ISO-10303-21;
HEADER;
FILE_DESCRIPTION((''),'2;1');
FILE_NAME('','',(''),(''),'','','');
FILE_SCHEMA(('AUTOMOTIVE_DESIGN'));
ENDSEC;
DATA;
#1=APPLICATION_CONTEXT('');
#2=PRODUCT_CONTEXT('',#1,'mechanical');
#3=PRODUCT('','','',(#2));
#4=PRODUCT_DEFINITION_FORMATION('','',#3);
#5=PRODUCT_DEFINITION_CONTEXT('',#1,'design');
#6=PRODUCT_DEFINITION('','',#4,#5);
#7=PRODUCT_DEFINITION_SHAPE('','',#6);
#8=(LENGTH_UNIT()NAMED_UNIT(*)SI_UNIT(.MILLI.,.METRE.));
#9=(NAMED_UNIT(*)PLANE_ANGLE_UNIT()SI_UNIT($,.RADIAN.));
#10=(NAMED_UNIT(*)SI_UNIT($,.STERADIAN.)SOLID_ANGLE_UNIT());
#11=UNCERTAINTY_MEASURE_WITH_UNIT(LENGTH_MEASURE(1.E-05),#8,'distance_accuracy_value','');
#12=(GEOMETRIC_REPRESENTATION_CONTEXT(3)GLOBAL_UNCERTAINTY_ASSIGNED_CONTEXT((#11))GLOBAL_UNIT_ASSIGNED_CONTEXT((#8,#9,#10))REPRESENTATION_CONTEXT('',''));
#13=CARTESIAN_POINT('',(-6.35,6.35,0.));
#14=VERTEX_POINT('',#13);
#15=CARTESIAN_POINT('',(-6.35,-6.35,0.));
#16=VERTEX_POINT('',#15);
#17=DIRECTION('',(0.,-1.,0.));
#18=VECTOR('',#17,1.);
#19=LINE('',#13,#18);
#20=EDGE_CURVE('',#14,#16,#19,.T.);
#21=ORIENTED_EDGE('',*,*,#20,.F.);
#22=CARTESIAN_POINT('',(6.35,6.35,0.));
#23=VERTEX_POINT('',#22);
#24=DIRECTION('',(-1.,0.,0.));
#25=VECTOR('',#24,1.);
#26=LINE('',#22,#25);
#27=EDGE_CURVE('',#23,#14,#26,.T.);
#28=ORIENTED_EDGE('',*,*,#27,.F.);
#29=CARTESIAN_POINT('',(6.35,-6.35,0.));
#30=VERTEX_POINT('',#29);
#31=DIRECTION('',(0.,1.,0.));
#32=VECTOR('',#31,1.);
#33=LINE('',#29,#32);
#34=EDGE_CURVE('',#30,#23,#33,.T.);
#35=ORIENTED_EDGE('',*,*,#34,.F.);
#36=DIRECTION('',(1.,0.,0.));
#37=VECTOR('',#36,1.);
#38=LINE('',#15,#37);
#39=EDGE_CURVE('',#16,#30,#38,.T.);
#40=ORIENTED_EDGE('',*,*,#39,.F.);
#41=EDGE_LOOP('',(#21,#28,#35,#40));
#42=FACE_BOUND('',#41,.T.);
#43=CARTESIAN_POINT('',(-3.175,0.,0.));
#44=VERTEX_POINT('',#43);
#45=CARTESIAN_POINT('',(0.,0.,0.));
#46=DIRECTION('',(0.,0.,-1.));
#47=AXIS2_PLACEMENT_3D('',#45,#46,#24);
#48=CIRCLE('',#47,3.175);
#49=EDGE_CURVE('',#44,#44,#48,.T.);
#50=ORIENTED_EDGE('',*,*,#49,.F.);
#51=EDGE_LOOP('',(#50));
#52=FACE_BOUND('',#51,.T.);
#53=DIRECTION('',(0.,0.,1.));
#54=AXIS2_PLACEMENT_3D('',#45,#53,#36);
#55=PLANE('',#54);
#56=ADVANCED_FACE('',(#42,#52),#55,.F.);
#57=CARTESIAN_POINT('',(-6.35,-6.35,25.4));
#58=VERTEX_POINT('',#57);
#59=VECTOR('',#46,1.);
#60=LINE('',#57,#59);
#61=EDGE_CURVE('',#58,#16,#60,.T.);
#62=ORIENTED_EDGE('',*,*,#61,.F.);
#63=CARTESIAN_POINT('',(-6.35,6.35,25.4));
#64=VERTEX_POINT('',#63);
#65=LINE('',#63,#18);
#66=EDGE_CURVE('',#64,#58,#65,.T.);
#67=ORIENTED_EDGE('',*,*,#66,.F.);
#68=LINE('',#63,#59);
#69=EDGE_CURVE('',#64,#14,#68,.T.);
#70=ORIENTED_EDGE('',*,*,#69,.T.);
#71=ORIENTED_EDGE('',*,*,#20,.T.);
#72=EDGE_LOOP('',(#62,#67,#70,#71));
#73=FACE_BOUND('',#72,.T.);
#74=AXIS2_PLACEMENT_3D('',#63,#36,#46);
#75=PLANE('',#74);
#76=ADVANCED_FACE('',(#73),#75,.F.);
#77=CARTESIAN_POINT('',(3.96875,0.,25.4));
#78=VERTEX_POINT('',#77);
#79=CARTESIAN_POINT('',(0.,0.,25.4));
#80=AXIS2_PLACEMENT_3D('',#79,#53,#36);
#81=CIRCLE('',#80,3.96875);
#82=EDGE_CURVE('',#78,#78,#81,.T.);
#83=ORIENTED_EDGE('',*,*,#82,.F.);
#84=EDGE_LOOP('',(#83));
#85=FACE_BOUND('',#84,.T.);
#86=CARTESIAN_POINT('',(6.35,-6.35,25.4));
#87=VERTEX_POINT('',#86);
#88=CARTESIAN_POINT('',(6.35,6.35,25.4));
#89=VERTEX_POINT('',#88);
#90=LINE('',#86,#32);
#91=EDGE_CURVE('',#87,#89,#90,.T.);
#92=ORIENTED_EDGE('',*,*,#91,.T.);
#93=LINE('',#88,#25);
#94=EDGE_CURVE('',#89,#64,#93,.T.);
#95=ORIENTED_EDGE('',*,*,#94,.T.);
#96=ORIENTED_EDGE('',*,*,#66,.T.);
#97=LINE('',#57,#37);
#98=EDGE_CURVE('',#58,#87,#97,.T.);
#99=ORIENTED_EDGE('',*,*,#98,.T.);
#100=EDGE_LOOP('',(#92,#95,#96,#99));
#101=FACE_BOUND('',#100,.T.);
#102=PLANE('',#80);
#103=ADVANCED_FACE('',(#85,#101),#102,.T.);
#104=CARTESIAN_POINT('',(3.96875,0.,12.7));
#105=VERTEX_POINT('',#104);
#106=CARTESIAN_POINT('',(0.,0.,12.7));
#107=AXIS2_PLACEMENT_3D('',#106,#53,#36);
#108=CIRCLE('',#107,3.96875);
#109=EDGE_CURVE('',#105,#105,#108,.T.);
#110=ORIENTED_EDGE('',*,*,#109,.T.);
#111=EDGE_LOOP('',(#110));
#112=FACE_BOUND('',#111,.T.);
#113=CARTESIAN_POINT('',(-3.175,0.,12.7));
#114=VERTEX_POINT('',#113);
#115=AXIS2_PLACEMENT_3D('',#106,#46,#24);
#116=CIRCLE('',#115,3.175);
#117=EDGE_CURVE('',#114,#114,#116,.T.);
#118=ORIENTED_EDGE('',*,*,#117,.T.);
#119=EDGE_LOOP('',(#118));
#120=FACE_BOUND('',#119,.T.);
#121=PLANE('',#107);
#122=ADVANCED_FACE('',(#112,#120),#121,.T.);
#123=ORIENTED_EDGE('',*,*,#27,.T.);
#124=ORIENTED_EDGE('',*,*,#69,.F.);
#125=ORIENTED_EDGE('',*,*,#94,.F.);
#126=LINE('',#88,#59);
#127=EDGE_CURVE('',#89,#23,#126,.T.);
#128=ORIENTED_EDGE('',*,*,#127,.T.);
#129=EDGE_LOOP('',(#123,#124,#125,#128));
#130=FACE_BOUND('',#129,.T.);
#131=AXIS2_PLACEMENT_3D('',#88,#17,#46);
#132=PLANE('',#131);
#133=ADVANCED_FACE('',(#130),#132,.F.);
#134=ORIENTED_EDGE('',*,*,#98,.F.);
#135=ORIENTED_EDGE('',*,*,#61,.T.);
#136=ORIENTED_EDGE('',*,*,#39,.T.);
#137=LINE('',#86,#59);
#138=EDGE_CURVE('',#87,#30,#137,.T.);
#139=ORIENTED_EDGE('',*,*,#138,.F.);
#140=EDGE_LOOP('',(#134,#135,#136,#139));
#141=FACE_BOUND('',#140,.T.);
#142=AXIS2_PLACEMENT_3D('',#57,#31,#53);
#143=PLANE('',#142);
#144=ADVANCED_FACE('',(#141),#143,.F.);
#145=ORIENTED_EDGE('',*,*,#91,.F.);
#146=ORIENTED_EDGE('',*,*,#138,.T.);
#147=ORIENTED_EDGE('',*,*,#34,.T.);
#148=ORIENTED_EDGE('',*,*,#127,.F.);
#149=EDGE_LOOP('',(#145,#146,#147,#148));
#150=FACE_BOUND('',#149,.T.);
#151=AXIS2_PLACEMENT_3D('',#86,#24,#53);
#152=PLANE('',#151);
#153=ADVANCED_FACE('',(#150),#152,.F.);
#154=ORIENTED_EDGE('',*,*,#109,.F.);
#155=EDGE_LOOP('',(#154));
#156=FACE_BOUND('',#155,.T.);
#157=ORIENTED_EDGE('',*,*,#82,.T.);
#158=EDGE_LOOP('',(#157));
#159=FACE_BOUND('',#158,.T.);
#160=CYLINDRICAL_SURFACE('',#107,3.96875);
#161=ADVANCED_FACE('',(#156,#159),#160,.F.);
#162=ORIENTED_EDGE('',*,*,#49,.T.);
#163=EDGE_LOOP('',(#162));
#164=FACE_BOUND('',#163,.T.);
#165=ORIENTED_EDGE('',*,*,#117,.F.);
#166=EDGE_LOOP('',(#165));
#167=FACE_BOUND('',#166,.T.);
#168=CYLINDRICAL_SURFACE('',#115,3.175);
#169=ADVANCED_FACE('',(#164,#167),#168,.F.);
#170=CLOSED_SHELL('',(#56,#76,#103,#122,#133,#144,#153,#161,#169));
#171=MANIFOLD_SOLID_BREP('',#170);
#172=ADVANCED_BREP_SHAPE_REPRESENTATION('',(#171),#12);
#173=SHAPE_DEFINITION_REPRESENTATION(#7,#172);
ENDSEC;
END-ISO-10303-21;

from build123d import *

# Parameters (mm, degrees)
SKETCH1_W           = 12.7
SKETCH1_H           = 12.7
BOSS_EXTRUDE1_DEPTH = 25.4
SKETCH2_R           = 3.175
CUT_EXTRUDE1_DEPTH  = 12.7
SKETCH3_R           = 3.96875
CUT_EXTRUDE2_DEPTH  = 12.7


with BuildPart() as part:
    # Sketch1 → Boss-Extrude1 (new body)
    with BuildSketch(Plane.XY):
        Rectangle(SKETCH1_W, SKETCH1_H)
    extrude(amount=BOSS_EXTRUDE1_DEPTH)

    # Sketch2 → Cut-Extrude1 (cut)
    with BuildSketch(Plane(origin=(0, 0, 0), x_dir=(-1, 0, 0), z_dir=(0, 0, -1))):
        Circle(SKETCH2_R)
    extrude(amount=-CUT_EXTRUDE1_DEPTH, mode=Mode.SUBTRACT)

    # Sketch3 → Cut-Extrude2 (cut)
    with BuildSketch(Plane.XY.offset(25.4)):
        Circle(SKETCH3_R)
    extrude(amount=-CUT_EXTRUDE2_DEPTH, mode=Mode.SUBTRACT)


solid = part.part
